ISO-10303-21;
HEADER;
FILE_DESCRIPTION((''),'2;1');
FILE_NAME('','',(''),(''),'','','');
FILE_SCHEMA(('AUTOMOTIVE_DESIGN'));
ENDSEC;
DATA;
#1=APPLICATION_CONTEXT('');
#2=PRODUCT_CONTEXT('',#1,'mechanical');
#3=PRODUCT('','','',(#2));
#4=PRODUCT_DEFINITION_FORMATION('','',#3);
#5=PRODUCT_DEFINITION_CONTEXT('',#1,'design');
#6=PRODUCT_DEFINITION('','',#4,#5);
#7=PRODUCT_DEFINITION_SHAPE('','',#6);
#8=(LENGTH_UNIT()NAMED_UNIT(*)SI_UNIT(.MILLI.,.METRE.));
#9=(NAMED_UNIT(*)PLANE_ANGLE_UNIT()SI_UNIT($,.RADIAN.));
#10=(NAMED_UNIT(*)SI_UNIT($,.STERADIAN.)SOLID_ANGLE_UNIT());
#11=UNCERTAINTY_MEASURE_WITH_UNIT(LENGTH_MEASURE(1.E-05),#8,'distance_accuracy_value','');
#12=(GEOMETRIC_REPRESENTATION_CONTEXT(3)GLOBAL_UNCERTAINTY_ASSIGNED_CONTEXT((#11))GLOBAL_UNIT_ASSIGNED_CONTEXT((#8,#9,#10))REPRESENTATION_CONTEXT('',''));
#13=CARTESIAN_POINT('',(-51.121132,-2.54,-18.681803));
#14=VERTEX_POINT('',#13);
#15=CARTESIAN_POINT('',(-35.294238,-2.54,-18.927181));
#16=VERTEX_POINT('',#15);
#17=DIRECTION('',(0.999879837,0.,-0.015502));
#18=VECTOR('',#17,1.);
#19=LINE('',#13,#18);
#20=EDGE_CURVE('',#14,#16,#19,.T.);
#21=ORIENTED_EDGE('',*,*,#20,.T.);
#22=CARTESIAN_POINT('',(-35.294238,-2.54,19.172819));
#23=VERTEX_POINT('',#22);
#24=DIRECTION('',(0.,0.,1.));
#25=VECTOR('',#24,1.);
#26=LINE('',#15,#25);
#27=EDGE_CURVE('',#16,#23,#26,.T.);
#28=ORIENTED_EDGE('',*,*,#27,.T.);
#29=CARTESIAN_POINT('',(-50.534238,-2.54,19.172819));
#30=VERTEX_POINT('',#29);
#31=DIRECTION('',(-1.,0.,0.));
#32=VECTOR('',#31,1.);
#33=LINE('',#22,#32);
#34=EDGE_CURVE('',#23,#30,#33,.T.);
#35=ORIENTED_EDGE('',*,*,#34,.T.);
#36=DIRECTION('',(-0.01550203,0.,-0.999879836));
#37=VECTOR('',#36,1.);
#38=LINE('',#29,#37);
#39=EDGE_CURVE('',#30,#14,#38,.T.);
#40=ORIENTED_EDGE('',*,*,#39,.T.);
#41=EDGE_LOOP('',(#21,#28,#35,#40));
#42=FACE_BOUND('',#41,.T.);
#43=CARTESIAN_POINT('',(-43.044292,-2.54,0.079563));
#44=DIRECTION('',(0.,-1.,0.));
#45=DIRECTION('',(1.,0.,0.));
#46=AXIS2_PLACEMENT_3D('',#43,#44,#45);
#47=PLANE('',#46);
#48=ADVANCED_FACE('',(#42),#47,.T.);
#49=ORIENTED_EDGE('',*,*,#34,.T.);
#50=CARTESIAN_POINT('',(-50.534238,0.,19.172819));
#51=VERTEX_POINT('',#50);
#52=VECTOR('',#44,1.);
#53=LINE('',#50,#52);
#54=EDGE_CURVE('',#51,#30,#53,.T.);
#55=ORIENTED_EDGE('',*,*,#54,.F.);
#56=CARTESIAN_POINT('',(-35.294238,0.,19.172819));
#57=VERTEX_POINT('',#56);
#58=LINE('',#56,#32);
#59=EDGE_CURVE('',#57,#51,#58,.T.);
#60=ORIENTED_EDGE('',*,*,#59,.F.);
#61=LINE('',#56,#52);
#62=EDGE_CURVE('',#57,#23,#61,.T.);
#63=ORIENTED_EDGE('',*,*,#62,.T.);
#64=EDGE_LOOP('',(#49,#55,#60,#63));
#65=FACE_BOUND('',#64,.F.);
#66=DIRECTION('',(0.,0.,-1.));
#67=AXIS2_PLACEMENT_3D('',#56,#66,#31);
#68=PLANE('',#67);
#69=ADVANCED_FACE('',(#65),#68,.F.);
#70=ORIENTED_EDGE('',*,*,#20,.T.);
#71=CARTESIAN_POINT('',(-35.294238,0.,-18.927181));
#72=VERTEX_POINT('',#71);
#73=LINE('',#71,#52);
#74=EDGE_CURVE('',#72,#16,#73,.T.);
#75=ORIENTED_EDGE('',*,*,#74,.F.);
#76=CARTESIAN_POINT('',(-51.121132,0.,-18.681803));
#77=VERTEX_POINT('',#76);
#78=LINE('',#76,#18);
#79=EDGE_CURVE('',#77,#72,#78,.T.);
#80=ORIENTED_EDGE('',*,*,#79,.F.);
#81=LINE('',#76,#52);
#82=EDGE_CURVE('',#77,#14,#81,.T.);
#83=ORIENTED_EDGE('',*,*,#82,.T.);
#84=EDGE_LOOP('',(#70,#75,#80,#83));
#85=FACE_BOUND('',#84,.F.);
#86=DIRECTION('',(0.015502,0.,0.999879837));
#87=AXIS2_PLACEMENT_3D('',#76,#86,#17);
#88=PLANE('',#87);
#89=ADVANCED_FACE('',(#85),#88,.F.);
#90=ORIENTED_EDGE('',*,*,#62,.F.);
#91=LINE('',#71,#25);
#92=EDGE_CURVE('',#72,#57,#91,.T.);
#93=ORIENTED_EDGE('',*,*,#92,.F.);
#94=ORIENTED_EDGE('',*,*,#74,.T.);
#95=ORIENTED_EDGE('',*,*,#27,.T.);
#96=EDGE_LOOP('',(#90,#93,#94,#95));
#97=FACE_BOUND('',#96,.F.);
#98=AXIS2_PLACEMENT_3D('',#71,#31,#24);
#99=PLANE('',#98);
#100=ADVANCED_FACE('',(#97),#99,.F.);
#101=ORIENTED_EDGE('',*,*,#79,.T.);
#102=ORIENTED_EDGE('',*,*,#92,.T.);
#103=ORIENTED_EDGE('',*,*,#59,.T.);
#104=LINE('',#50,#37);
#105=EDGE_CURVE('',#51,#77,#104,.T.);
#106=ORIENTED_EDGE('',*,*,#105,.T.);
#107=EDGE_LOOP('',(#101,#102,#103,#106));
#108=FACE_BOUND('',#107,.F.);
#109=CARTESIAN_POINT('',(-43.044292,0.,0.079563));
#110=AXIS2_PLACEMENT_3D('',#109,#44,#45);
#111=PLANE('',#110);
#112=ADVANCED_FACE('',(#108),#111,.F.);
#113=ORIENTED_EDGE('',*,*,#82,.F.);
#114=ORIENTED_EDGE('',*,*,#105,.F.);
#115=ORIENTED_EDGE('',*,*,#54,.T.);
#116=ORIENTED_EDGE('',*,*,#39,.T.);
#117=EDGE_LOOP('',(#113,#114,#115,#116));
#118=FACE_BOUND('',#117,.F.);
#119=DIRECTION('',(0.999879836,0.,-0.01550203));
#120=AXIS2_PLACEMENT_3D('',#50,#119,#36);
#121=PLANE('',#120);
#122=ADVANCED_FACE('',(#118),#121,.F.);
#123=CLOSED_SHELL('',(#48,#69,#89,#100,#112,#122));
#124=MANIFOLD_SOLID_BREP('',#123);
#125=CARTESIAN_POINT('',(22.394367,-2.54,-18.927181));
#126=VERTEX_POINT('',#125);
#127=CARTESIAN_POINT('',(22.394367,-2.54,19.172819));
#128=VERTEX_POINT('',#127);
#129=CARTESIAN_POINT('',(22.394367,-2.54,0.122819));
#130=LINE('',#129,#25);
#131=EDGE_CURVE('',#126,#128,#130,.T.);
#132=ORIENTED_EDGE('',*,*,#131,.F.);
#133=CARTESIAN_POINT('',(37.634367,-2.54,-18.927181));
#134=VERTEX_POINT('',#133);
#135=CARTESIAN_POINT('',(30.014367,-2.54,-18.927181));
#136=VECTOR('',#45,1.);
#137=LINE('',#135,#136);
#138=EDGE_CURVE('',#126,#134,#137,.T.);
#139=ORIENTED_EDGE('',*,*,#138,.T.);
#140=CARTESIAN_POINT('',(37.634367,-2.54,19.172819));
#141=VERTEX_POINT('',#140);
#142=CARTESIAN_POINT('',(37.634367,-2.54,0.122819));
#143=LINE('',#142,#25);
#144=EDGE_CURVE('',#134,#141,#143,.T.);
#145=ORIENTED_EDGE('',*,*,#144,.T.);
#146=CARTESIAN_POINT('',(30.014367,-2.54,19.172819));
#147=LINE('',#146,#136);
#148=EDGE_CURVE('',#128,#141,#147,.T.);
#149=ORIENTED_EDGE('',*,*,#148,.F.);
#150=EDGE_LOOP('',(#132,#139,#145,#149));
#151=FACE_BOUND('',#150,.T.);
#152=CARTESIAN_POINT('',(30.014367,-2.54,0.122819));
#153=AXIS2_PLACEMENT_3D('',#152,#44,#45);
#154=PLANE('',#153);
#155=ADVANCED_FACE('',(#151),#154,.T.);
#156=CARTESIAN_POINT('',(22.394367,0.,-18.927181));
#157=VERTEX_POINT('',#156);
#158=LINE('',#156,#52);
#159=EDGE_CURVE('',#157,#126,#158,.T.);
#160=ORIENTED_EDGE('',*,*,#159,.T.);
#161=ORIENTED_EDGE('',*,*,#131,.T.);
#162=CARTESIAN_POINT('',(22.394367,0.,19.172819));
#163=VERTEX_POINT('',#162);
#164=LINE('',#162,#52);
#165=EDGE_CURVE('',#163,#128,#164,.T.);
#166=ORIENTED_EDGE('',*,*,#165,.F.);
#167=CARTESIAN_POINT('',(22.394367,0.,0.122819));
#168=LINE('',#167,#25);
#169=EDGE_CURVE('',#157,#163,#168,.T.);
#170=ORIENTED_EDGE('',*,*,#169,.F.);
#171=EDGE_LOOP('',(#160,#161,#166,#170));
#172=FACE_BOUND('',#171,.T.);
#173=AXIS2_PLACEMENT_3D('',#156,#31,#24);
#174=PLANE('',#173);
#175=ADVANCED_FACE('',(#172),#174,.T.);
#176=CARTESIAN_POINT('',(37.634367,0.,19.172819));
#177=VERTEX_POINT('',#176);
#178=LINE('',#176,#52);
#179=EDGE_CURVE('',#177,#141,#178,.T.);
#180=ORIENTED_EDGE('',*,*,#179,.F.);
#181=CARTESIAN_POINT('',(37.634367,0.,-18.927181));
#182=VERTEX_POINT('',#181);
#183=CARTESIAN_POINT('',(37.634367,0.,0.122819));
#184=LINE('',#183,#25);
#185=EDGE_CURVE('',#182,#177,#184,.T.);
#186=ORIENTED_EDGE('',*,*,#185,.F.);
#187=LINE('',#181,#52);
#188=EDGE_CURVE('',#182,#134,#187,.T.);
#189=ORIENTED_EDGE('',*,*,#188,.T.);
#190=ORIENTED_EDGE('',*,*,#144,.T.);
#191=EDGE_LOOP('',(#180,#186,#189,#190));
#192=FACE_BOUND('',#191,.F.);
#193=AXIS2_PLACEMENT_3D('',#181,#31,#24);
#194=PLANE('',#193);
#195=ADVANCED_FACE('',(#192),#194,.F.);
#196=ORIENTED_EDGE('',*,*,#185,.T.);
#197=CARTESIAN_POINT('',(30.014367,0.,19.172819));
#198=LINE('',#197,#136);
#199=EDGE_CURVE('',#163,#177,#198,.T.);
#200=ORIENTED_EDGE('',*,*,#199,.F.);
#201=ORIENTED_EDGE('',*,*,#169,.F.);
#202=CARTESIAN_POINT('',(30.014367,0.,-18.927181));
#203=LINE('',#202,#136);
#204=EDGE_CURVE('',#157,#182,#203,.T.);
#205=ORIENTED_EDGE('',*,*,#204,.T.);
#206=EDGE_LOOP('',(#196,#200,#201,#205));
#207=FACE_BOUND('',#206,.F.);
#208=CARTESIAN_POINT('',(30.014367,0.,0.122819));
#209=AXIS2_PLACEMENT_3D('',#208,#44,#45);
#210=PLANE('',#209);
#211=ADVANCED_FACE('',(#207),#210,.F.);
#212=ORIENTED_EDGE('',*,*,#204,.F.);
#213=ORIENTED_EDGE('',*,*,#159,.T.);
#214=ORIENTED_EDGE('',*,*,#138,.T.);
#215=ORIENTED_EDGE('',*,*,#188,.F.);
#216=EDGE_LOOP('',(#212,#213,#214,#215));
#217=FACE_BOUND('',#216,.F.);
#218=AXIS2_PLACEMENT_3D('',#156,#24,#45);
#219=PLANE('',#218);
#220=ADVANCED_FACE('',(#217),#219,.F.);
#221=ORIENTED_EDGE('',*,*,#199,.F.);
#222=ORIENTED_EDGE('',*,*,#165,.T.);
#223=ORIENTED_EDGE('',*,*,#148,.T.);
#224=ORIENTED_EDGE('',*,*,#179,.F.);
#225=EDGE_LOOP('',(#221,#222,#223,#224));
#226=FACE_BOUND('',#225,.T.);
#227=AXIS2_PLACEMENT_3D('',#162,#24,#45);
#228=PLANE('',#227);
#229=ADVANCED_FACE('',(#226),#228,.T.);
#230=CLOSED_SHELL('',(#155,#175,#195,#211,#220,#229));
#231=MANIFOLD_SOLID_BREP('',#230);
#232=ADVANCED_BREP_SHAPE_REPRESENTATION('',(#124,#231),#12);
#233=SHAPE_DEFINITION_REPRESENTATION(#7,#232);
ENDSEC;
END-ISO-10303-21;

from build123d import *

# Parameters (mm, degrees)
F0_W     = 15.24
F0_H     = 38.1
F1_DEPTH = 2.54


with BuildPart() as f1:
    # F0 (on Front) → F1 (new body)
    with BuildSketch(Plane.XZ):
        Polygon((-35.294238, 19.172819), (-50.534238, 19.172819), (-51.121132, -18.681803), (-35.294238, -18.927181), align=None)
        with Locations((30.014367, 0.122819)):
            Rectangle(F0_W, F0_H)
    extrude(amount=F1_DEPTH)


solid = f1.part
